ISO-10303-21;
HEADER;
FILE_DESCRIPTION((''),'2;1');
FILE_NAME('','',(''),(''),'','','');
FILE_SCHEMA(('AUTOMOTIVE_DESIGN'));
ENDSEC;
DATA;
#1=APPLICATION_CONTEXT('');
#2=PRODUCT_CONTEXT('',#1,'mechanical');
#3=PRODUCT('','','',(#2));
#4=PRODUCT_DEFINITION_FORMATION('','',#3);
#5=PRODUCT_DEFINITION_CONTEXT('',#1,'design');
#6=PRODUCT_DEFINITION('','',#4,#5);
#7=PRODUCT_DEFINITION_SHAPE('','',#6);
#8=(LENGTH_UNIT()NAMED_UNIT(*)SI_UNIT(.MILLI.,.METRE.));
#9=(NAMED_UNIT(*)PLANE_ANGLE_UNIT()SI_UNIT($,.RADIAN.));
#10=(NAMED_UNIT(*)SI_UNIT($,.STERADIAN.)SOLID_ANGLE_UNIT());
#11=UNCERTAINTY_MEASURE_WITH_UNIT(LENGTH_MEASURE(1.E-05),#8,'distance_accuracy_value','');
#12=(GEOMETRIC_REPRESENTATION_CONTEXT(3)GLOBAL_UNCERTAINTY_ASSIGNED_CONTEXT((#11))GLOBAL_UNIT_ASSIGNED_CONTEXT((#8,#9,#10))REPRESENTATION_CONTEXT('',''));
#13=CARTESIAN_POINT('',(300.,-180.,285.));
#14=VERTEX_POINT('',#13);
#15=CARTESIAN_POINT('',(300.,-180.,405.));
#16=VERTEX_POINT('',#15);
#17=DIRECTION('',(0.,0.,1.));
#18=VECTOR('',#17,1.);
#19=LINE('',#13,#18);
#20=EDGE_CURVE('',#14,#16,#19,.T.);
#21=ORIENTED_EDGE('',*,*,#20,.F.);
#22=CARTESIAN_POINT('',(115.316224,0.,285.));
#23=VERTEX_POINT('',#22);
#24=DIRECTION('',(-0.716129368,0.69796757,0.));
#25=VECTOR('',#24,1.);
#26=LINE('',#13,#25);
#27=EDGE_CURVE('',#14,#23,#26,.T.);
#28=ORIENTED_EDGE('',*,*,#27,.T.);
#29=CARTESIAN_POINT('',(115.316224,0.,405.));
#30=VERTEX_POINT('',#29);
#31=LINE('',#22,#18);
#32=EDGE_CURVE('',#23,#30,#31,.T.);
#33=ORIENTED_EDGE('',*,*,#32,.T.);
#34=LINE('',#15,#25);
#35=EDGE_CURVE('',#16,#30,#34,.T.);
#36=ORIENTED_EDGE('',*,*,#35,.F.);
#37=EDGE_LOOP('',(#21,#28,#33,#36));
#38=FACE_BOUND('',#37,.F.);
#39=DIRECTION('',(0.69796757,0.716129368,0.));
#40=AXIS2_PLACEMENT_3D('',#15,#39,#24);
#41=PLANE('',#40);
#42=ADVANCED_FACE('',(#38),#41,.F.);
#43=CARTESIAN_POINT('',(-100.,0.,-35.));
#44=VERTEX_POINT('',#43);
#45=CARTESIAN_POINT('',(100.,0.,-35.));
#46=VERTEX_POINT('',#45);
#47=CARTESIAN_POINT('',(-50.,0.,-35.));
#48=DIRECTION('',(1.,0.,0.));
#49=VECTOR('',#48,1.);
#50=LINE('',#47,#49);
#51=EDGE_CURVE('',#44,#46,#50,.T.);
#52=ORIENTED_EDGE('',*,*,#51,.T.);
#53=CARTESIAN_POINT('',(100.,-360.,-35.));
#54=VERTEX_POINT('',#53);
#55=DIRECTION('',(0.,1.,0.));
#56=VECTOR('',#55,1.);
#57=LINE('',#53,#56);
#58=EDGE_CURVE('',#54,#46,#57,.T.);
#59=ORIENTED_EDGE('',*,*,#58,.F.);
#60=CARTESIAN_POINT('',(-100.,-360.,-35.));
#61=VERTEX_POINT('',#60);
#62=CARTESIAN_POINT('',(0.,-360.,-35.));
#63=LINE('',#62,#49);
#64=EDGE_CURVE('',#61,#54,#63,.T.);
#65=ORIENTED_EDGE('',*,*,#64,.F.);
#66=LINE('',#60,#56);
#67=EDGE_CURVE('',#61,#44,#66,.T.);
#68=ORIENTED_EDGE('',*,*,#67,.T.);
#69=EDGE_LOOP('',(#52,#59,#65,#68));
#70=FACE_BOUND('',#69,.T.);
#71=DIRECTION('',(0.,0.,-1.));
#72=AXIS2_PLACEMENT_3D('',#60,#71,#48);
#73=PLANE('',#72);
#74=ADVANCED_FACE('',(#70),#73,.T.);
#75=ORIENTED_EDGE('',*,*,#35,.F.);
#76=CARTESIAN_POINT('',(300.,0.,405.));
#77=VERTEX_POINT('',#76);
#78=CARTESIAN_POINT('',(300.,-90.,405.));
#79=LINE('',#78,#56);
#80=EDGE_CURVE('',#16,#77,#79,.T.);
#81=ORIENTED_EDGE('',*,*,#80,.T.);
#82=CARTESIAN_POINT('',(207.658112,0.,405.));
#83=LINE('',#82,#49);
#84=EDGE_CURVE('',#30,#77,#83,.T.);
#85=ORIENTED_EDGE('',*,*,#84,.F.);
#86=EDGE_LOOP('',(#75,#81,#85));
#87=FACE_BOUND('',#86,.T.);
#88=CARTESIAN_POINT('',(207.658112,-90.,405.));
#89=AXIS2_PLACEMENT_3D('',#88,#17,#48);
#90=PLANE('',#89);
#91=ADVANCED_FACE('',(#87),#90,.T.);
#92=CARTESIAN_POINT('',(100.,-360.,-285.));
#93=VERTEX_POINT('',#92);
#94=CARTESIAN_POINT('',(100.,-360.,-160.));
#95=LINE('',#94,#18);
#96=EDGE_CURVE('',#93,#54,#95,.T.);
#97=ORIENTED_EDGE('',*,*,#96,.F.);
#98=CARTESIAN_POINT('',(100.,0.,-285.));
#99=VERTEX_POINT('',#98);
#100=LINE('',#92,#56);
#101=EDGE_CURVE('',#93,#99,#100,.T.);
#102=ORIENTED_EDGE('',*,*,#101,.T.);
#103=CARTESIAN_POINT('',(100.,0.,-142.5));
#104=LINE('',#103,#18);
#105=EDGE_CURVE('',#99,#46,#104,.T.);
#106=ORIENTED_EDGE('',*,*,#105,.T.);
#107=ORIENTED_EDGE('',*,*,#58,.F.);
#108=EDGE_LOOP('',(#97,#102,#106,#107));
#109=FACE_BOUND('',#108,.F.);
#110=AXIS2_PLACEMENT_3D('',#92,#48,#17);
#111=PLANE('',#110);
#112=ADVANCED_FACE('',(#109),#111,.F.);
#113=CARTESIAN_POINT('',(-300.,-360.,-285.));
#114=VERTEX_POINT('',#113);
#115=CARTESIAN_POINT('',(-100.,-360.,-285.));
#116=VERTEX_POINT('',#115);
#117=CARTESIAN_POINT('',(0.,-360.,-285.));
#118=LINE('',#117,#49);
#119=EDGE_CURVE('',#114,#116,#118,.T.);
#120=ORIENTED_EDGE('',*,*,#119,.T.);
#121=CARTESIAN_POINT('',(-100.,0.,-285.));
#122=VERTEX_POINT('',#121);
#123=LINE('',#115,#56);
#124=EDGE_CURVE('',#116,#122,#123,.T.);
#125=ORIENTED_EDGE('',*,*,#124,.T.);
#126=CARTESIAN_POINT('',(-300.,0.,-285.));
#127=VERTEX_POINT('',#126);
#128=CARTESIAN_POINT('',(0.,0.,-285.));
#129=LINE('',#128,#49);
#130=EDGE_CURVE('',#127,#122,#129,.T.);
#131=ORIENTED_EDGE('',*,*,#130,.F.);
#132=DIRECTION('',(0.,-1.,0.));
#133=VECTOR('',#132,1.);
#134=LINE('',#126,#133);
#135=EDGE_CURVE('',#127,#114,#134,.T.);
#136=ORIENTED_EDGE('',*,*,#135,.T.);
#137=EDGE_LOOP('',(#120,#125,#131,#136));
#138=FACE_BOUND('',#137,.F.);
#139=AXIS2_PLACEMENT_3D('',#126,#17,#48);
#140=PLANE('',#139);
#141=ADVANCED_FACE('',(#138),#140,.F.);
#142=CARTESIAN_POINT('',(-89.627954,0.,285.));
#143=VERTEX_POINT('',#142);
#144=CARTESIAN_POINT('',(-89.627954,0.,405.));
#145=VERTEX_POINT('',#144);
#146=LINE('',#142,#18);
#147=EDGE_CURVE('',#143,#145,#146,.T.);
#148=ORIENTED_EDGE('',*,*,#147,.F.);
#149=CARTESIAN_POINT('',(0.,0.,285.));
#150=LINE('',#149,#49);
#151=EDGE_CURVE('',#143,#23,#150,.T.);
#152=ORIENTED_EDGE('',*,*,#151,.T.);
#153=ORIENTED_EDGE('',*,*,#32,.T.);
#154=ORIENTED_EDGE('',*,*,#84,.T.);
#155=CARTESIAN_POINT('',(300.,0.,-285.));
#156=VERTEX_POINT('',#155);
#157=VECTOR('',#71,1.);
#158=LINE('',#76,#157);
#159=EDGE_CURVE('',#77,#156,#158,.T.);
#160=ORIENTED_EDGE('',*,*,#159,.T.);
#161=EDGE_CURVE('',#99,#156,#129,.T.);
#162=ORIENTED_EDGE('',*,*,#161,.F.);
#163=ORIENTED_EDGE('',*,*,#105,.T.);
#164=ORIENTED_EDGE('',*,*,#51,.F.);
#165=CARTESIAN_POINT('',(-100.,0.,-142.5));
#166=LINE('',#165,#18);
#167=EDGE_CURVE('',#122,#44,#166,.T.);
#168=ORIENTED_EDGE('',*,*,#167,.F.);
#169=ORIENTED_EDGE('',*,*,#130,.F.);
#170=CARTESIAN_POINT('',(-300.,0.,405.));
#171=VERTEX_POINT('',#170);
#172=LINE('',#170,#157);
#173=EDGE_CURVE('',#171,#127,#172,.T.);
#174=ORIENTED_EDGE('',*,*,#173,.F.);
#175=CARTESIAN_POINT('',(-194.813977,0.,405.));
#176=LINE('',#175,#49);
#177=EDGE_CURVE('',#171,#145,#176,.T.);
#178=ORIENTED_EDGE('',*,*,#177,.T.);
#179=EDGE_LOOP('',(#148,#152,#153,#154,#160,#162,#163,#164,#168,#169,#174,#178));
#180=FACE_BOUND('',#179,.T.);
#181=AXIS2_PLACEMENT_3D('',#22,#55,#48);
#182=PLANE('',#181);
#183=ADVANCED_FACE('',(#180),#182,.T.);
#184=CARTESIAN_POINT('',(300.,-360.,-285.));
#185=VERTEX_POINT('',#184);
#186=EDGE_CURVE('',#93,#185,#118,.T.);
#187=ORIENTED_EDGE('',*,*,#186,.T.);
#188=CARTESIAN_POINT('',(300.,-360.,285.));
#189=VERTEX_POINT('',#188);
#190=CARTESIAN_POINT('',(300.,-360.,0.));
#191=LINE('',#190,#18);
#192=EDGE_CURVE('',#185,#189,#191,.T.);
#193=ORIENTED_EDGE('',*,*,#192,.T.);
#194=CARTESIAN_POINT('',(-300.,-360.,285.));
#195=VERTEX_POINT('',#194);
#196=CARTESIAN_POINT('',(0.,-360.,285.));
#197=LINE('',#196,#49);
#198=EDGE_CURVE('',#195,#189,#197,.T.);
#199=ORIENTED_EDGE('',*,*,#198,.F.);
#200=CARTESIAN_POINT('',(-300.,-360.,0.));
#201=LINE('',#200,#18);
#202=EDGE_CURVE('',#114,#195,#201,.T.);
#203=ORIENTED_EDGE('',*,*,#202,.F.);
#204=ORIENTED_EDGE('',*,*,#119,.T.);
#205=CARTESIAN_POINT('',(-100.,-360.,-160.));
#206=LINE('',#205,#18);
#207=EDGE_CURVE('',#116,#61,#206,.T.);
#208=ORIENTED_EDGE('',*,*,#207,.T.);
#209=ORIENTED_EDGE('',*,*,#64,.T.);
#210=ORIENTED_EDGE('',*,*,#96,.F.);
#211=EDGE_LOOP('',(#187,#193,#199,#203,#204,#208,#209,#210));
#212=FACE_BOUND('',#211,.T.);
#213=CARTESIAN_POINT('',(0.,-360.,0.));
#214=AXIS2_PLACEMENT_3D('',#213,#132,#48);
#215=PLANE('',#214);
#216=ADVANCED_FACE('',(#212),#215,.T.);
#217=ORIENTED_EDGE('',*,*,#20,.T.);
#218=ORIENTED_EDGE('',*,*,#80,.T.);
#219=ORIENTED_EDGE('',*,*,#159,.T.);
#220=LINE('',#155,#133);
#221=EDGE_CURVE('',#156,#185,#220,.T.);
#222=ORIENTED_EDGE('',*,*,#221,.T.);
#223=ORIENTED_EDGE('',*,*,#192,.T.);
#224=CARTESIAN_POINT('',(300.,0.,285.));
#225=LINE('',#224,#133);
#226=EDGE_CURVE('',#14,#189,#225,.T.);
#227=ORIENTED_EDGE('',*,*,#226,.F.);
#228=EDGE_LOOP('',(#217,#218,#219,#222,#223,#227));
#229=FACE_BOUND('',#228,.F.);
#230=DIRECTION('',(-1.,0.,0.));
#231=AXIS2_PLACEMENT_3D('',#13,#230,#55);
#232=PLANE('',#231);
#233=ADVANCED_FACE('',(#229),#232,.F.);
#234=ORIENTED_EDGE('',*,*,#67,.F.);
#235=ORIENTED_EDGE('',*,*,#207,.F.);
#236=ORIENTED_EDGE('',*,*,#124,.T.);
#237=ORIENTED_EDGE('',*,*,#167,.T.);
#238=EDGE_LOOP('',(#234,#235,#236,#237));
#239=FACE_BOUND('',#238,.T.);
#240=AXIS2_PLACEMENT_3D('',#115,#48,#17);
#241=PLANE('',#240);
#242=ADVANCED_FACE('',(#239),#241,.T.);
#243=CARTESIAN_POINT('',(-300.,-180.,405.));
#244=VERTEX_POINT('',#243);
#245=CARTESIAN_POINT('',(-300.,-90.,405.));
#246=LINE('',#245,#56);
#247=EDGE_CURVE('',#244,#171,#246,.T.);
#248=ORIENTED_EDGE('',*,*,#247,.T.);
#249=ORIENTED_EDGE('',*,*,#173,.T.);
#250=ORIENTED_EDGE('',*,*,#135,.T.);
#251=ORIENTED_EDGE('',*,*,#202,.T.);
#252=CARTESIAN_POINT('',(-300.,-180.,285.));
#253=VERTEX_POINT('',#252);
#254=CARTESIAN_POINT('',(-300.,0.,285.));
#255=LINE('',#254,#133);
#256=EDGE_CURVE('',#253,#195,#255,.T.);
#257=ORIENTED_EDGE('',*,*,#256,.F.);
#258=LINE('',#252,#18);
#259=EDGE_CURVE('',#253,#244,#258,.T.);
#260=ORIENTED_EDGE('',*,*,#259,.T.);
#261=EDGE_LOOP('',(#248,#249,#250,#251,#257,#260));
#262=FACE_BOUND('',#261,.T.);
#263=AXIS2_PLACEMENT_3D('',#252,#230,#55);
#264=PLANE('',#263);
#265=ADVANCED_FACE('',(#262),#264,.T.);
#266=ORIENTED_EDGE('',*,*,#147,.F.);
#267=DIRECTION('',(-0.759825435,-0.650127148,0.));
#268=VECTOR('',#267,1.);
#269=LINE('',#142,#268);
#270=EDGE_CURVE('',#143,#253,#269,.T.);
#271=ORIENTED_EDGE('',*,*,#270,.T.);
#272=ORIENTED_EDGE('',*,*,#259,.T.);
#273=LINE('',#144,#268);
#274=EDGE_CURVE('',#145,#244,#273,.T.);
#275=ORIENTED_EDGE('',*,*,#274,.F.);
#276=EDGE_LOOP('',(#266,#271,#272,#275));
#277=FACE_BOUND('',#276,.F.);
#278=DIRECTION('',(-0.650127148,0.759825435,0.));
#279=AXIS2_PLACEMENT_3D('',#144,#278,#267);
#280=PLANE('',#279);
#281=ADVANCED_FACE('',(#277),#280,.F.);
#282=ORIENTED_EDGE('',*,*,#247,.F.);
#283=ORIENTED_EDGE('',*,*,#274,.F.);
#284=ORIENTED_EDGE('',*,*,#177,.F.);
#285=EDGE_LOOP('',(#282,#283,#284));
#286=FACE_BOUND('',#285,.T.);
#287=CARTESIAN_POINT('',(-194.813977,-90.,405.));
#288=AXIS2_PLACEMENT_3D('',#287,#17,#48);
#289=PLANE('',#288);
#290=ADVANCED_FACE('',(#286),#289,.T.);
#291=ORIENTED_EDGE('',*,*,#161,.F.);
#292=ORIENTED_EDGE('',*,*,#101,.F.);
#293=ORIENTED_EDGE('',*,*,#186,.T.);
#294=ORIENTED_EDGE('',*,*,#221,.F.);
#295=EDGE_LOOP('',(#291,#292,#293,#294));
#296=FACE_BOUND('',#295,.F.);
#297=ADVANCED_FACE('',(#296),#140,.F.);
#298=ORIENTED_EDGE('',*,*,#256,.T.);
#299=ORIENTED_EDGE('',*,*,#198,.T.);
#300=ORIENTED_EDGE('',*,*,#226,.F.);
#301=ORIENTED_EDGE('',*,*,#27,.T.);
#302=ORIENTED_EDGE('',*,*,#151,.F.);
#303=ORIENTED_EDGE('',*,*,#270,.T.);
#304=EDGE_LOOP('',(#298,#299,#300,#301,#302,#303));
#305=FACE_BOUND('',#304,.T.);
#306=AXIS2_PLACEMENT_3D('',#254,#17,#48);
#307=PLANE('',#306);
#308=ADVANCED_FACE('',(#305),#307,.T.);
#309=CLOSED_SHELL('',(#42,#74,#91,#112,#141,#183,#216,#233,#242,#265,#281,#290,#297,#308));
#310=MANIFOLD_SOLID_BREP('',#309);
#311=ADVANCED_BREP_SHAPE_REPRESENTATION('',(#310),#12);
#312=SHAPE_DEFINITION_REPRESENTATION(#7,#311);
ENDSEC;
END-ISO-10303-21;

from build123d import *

# Parameters (mm, degrees)
F0_W      = 600
F0_H      = 570
F1_DEPTH  = 360
F2_W      = 200
F2_H      = 250
F3_DEPTH  = 500
F4_W      = 210.372046
F4_H      = 180
F5_DEPTH  = 120
F7_DEPTH  = 120
F8_W      = 184.683776
F8_H      = 180
F9_DEPTH  = 120
F11_DEPTH = 120


with BuildPart() as f1:
    # F0 (on Front) → F1 (new body)
    with BuildSketch(Plane.XZ):
        Rectangle(F0_W, F0_H)
    extrude(amount=F1_DEPTH)

    # F2 (on face) → F3 (cut)
    with BuildSketch(Plane.XZ.offset(360)):
        with Locations((0, -160)):
            Rectangle(F2_W, F2_H)
    extrude(amount=-F3_DEPTH, mode=Mode.SUBTRACT)

    # F4 (on face) → F5 (join)
    with BuildSketch(Plane.XY.offset(285)):
        with Locations((-194.813977, -90)):
            Rectangle(F4_W, F4_H)
    extrude(amount=F5_DEPTH)

    # F6 (on face) → F7 (cut)
    with BuildSketch(Plane.XY.offset(405)):
        Polygon((-89.627954, -180), (-89.627954, 0), (-300, -180), align=None)
    extrude(amount=-F7_DEPTH, mode=Mode.SUBTRACT)

    # F8 (on face) → F9 (join)
    with BuildSketch(Plane.XY.offset(285)):
        with Locations((207.658112, -90)):
            Rectangle(F8_W, F8_H)
    extrude(amount=F9_DEPTH)

    # F10 (on face) → F11 (cut)
    with BuildSketch(Plane.XY.offset(405)):
        Polygon((300, -180), (115.316224, 0), (115.316224, -180), align=None)
    extrude(amount=-F11_DEPTH, mode=Mode.SUBTRACT)


solid = f1.part
